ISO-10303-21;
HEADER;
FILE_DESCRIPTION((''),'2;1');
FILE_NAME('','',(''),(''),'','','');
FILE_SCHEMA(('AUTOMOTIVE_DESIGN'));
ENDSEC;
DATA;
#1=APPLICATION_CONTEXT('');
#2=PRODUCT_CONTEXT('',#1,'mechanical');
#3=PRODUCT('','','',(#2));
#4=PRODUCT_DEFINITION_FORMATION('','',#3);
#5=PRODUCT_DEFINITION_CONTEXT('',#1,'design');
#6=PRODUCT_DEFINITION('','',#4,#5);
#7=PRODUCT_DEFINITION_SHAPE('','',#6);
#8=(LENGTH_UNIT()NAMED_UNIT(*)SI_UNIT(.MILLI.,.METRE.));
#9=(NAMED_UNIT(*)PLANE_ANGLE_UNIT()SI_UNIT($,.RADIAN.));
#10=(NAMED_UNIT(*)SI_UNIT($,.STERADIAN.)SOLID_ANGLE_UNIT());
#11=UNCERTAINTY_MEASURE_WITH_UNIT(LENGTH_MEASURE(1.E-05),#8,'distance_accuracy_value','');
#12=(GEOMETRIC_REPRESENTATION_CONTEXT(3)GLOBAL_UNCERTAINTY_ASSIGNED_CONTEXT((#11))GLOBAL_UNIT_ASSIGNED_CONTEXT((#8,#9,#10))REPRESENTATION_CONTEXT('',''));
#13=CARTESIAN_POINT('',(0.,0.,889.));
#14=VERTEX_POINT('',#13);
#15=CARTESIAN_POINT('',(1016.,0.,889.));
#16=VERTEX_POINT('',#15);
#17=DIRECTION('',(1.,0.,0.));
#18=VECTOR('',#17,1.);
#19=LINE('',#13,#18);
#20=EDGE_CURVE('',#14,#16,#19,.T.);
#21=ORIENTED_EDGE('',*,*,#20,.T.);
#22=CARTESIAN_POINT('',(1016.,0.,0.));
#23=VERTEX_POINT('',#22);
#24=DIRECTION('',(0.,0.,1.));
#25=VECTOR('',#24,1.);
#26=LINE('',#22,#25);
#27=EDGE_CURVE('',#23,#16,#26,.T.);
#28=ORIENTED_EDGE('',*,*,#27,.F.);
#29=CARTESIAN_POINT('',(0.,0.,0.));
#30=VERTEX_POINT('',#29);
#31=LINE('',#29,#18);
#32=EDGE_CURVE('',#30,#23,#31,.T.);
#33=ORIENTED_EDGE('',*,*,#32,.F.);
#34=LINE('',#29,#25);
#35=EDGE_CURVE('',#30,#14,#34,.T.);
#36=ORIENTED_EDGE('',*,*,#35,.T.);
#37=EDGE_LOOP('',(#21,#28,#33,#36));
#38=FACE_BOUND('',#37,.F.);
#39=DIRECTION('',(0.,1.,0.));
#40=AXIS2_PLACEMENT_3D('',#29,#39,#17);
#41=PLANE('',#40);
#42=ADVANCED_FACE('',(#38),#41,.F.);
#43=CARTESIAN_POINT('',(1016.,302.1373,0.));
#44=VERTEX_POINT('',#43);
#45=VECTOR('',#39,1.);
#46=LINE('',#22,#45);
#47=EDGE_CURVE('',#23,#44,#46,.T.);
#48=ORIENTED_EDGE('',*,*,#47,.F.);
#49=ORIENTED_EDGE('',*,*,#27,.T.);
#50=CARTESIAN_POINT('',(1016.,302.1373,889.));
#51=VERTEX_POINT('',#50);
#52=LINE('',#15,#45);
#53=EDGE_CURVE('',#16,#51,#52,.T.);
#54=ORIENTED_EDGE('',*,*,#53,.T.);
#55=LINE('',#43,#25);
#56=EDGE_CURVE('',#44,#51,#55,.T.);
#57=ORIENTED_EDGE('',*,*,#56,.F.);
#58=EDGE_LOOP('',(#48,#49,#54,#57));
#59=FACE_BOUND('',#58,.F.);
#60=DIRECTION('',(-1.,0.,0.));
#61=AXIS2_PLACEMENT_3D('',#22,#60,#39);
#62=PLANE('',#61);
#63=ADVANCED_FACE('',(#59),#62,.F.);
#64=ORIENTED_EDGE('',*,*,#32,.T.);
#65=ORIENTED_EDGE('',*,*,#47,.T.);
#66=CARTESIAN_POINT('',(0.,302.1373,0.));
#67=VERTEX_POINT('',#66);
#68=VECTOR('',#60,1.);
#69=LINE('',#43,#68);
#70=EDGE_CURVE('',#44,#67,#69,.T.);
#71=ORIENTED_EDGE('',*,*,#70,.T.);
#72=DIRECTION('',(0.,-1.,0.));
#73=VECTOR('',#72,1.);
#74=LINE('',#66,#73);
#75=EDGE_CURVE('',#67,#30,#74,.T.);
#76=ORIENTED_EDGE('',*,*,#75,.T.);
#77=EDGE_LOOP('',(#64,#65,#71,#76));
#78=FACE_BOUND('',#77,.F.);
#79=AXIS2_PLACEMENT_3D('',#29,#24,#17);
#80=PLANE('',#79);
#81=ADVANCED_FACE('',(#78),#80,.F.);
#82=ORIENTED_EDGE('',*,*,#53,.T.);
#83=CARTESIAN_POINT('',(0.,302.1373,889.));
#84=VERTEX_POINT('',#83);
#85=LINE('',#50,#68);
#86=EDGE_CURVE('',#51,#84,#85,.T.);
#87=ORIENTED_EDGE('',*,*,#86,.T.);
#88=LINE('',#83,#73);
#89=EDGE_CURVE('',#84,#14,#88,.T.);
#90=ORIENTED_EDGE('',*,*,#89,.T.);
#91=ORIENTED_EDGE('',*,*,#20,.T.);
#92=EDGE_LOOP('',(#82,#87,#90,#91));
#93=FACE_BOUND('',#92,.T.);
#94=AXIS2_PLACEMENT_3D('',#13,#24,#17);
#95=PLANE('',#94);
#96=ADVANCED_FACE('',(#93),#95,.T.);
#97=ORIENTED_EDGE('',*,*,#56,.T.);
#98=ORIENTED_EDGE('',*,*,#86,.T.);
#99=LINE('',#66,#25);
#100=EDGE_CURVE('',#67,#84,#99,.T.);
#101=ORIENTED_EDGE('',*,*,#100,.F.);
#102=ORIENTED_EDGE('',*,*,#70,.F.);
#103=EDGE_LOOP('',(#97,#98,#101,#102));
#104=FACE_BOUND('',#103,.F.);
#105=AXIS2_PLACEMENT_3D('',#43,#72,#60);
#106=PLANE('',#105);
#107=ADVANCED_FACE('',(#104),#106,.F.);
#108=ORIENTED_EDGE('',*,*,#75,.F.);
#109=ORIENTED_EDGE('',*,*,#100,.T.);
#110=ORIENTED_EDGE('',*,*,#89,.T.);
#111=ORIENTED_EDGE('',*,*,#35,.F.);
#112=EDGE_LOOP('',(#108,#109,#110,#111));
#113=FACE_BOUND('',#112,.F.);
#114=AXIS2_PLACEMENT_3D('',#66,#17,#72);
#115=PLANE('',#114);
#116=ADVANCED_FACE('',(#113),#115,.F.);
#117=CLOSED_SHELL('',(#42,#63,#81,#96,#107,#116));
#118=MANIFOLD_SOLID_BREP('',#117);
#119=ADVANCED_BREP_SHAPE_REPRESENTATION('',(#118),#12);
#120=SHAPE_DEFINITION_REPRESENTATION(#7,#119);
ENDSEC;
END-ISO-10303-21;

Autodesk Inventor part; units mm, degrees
ref_plane "YZ Plane" through (0, 0, 0) normal (1, 0, 0) x (0, 1, 0)
ref_plane "XZ Plane" through (0, 0, 0) normal (0, 1, 0) x (-1, 0, 0)
ref_plane "XY Plane" through (0, 0, 0) normal (0, 0, 1) x (1, 0, 0)
sketch "Sketch1" plane through (0, 0, 0) normal (0, 0, 1) x (1, 0, 0)
  line L0 (0, 0) -> (1016, 0)
  line L1 (1016, 0) -> (1016, 302.1373)
  line L2 (1016, 302.1373) -> (0, 302.1373)
  line L3 (0, 302.1373) -> (0, 0)
  dimension "d0" = 1016
extrude "Extrusion1" add sketch "Sketch1" along normal blind 889
properties part number "standard bot fit size (40x35)"
